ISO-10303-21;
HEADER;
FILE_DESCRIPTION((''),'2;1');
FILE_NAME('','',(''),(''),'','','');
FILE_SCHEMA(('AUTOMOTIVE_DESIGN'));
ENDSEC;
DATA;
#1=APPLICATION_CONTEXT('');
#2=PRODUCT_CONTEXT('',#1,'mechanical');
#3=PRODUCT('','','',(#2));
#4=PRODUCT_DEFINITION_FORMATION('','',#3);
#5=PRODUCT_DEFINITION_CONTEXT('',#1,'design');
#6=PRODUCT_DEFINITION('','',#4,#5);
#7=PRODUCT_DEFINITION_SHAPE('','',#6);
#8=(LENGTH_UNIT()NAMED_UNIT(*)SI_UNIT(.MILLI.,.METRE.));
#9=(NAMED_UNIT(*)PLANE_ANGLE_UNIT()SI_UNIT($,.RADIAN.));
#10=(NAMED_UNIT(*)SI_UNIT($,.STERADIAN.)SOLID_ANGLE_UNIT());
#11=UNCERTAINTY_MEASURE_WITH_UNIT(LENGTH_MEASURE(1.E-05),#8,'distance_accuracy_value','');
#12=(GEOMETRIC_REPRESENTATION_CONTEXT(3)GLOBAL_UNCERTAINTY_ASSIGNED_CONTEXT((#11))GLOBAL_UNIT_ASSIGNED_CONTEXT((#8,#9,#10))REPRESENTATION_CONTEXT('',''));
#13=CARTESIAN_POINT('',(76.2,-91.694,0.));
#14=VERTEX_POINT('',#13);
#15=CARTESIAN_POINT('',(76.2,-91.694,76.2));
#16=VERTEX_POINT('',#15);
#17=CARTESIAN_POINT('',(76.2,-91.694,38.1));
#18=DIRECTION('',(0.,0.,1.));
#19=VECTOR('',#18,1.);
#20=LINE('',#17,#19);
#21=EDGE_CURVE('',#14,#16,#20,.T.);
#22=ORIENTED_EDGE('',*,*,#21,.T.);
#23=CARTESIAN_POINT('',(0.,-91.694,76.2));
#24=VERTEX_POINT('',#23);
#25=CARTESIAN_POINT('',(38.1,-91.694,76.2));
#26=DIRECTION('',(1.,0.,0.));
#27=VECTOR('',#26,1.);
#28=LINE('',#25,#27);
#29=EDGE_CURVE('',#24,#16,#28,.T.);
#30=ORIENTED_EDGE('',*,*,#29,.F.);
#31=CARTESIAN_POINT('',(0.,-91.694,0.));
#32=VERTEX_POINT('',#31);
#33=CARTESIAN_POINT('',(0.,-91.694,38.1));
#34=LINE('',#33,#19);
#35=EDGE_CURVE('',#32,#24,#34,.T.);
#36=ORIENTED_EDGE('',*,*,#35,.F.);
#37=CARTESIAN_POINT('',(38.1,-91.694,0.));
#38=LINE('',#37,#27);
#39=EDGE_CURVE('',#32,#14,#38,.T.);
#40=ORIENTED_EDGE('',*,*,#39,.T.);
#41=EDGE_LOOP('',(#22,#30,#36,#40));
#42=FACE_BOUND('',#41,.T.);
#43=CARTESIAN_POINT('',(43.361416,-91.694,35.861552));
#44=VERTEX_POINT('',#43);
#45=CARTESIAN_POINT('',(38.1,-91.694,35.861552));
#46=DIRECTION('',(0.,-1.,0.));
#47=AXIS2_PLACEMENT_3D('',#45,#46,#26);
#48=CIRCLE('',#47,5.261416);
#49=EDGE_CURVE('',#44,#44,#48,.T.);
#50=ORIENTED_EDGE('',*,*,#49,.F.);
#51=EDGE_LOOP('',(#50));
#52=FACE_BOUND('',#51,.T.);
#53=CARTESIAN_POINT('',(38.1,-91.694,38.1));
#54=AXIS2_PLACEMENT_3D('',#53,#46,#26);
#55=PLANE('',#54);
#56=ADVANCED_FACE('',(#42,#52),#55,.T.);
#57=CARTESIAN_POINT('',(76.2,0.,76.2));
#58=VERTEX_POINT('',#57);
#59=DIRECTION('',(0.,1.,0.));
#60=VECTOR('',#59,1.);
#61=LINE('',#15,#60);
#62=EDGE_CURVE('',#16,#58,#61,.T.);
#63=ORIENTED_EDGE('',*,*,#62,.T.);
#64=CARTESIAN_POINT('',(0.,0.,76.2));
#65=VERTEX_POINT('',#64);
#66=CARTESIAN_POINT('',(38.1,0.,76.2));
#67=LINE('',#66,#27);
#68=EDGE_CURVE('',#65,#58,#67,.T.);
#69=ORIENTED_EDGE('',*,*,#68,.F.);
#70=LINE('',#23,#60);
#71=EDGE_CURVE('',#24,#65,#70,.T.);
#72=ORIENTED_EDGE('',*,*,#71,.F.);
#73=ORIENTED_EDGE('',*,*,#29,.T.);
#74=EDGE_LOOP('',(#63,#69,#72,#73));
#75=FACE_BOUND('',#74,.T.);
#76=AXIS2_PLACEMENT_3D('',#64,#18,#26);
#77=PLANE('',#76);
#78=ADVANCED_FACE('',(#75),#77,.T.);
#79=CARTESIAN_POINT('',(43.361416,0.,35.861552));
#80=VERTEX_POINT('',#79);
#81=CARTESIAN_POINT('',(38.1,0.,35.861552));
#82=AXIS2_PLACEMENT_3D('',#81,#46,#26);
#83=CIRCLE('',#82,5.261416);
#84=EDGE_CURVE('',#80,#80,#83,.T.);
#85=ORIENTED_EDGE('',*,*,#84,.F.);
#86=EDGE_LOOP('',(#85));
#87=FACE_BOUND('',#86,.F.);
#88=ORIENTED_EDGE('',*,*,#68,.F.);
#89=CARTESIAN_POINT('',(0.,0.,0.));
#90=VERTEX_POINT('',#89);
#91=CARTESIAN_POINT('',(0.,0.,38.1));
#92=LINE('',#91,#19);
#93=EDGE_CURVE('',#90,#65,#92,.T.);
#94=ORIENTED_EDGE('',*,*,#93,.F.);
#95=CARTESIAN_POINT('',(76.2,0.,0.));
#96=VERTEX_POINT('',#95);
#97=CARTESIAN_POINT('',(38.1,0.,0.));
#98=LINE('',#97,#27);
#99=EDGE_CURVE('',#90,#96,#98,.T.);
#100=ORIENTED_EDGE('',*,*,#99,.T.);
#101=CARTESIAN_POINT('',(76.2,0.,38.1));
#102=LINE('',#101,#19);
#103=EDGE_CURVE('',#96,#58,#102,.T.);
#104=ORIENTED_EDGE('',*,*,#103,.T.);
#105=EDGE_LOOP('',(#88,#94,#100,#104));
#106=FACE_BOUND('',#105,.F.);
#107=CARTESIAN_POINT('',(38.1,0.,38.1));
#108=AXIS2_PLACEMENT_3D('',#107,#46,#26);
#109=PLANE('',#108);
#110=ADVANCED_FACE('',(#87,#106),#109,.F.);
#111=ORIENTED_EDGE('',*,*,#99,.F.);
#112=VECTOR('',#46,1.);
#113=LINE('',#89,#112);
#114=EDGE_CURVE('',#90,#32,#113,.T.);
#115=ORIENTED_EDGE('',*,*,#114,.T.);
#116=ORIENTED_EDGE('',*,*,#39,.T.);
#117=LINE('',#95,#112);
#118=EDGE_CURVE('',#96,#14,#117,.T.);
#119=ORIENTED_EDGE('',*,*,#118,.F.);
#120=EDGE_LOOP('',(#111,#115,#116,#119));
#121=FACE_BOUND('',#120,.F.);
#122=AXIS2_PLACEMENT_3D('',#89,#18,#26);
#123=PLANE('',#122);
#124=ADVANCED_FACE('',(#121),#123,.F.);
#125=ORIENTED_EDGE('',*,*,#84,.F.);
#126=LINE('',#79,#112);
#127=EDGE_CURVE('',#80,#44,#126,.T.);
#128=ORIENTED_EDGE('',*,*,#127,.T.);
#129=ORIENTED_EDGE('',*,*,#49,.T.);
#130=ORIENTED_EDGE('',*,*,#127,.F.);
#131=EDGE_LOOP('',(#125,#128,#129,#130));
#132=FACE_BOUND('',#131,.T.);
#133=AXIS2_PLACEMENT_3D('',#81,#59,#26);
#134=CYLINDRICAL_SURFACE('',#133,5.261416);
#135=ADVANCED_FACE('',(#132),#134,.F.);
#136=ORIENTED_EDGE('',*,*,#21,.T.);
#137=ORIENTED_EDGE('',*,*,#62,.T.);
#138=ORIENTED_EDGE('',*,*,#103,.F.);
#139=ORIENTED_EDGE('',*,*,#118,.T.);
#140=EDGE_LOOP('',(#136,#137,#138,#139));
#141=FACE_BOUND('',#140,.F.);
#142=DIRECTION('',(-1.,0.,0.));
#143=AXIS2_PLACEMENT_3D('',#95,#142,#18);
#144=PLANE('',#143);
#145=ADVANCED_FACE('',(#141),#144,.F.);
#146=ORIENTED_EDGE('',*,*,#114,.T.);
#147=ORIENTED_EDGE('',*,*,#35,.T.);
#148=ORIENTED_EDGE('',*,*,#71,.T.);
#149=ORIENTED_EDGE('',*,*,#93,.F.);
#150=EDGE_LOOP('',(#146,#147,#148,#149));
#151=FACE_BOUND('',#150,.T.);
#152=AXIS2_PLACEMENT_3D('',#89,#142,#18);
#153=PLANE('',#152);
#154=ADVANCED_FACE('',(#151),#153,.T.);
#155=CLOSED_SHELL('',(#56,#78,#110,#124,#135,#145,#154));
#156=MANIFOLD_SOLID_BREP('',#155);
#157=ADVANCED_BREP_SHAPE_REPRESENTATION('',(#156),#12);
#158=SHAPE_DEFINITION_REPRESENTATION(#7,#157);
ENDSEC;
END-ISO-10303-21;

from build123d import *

# Parameters (mm, degrees)
F0_W     = 76.2
F0_H     = 76.2
F0_R     = 5.261416
F1_DEPTH = 91.694
F2_DEPTH = 25.4


with BuildPart() as f1:
    # F0 (on Front) → F1 (new body)
    with BuildSketch(Plane.XZ):
        with Locations((38.1, 38.1)):
            Rectangle(F0_W, F0_H)
        with Locations((38.1, 35.861552)):
            Circle(F0_R, mode=Mode.SUBTRACT)
    extrude(amount=F1_DEPTH)

    # F0 (on Front) → F2 (join)
    with BuildSketch(Plane.XZ):
        with Locations((38.1, 38.1)):
            Rectangle(F0_W, F0_H)
        with Locations((38.1, 35.861552)):
            Circle(F0_R, mode=Mode.SUBTRACT)
    extrude(amount=F2_DEPTH)


solid = f1.part
